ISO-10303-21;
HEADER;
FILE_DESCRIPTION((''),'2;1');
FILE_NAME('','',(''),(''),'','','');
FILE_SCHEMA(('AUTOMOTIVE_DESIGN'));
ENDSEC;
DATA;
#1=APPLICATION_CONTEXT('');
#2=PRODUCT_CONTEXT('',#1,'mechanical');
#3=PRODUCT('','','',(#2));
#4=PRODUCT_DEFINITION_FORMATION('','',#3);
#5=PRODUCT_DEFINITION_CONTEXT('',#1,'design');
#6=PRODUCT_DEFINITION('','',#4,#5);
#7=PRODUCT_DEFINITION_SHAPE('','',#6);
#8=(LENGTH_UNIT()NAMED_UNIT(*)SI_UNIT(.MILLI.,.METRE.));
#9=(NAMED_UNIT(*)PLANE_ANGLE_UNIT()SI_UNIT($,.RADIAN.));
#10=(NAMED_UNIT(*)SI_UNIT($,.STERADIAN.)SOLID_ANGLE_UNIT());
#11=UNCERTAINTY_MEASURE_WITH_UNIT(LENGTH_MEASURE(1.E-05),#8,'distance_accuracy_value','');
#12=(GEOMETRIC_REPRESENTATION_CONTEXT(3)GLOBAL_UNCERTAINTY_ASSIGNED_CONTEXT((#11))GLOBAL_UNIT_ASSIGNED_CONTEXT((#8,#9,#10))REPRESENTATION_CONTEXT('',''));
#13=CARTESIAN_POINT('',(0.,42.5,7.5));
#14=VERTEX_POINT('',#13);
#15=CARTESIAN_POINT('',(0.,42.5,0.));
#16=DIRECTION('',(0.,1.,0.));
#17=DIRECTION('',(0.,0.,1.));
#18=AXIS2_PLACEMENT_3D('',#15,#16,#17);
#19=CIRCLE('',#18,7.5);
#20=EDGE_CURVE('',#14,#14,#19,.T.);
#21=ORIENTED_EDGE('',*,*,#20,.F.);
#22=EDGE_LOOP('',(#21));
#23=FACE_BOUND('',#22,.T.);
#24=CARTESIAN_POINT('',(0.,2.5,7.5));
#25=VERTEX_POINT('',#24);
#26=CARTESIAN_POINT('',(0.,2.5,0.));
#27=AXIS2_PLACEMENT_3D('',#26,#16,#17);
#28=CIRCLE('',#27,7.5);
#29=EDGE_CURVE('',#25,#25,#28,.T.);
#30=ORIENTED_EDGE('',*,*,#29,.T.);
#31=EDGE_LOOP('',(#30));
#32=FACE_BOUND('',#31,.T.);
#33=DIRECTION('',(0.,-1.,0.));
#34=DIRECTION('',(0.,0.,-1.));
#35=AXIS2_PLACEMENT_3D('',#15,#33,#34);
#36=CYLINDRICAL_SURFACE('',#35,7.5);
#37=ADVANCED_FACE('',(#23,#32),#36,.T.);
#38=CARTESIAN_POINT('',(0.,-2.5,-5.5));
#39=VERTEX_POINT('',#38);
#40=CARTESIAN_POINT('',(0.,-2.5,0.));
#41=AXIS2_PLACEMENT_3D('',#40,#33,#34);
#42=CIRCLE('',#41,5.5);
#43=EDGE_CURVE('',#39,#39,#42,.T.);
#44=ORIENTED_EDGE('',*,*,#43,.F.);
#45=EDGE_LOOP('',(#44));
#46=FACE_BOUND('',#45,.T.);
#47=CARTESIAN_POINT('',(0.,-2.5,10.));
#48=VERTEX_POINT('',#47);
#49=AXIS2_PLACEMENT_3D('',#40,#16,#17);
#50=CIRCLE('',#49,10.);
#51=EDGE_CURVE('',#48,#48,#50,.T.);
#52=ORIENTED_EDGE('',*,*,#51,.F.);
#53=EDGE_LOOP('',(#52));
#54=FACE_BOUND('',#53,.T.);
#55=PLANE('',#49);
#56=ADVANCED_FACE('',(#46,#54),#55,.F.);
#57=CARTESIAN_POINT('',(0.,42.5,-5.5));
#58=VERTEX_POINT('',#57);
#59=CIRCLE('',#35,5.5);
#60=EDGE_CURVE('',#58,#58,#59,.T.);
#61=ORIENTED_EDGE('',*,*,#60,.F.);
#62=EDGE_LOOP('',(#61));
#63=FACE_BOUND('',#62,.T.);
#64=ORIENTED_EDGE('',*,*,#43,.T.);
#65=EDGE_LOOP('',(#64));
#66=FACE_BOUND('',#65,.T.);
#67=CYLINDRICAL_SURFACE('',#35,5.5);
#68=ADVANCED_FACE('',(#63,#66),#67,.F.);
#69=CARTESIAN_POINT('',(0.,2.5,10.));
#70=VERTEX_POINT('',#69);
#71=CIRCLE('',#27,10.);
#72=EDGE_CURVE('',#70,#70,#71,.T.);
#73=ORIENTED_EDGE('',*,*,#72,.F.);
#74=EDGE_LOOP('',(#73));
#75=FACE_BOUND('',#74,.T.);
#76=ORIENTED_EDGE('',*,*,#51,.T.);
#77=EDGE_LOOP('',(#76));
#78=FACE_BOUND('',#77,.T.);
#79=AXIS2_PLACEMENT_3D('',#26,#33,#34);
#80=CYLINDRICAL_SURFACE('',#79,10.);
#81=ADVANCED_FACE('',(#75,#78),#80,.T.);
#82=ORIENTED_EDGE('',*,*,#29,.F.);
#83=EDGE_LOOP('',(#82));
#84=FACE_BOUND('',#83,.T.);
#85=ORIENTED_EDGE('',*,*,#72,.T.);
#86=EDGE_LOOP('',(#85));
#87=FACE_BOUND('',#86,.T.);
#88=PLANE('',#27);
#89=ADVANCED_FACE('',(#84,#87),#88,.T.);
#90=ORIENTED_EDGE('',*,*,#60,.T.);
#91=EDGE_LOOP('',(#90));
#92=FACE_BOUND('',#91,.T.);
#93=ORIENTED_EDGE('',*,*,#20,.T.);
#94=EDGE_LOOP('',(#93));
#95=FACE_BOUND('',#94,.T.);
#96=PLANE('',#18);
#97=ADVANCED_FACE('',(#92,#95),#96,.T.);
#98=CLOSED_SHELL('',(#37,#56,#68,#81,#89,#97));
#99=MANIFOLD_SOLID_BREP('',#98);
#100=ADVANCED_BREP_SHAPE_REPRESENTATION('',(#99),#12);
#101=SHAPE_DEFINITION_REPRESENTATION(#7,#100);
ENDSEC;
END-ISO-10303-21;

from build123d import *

# Parameters (mm, degrees)
SKETCH1_R           = 10
BOSS_EXTRUDE1_DEPTH = 2.5
SKETCH2_R           = 7.5
BOSS_EXTRUDE2_DEPTH = 40
SKETCH3_R           = 5.5
CUT_EXTRUDE1_DEPTH  = 46


with BuildPart() as part:
    # Sketch1 → Boss-Extrude1 (new body, symmetric)
    with BuildSketch(Plane(origin=(0, 0, 0), x_dir=(1, 0, 0), z_dir=(0, 1, 0))):
        Circle(SKETCH1_R)
    extrude(amount=BOSS_EXTRUDE1_DEPTH, both=True)

    # Sketch2 → Boss-Extrude2 (add)
    with BuildSketch(Plane(origin=(0, 2.5, 0), x_dir=(1, 0, 0), z_dir=(0, 1, 0))):
        Circle(SKETCH2_R)
    extrude(amount=BOSS_EXTRUDE2_DEPTH)

    # Sketch3 → Cut-Extrude1 (cut, through all)
    with BuildSketch(Plane(origin=(0, -2.5, 0), x_dir=(-1, 0, 0), z_dir=(0, -1, 0))):
        Circle(SKETCH3_R)
    extrude(amount=-CUT_EXTRUDE1_DEPTH, mode=Mode.SUBTRACT)


solid = part.part
